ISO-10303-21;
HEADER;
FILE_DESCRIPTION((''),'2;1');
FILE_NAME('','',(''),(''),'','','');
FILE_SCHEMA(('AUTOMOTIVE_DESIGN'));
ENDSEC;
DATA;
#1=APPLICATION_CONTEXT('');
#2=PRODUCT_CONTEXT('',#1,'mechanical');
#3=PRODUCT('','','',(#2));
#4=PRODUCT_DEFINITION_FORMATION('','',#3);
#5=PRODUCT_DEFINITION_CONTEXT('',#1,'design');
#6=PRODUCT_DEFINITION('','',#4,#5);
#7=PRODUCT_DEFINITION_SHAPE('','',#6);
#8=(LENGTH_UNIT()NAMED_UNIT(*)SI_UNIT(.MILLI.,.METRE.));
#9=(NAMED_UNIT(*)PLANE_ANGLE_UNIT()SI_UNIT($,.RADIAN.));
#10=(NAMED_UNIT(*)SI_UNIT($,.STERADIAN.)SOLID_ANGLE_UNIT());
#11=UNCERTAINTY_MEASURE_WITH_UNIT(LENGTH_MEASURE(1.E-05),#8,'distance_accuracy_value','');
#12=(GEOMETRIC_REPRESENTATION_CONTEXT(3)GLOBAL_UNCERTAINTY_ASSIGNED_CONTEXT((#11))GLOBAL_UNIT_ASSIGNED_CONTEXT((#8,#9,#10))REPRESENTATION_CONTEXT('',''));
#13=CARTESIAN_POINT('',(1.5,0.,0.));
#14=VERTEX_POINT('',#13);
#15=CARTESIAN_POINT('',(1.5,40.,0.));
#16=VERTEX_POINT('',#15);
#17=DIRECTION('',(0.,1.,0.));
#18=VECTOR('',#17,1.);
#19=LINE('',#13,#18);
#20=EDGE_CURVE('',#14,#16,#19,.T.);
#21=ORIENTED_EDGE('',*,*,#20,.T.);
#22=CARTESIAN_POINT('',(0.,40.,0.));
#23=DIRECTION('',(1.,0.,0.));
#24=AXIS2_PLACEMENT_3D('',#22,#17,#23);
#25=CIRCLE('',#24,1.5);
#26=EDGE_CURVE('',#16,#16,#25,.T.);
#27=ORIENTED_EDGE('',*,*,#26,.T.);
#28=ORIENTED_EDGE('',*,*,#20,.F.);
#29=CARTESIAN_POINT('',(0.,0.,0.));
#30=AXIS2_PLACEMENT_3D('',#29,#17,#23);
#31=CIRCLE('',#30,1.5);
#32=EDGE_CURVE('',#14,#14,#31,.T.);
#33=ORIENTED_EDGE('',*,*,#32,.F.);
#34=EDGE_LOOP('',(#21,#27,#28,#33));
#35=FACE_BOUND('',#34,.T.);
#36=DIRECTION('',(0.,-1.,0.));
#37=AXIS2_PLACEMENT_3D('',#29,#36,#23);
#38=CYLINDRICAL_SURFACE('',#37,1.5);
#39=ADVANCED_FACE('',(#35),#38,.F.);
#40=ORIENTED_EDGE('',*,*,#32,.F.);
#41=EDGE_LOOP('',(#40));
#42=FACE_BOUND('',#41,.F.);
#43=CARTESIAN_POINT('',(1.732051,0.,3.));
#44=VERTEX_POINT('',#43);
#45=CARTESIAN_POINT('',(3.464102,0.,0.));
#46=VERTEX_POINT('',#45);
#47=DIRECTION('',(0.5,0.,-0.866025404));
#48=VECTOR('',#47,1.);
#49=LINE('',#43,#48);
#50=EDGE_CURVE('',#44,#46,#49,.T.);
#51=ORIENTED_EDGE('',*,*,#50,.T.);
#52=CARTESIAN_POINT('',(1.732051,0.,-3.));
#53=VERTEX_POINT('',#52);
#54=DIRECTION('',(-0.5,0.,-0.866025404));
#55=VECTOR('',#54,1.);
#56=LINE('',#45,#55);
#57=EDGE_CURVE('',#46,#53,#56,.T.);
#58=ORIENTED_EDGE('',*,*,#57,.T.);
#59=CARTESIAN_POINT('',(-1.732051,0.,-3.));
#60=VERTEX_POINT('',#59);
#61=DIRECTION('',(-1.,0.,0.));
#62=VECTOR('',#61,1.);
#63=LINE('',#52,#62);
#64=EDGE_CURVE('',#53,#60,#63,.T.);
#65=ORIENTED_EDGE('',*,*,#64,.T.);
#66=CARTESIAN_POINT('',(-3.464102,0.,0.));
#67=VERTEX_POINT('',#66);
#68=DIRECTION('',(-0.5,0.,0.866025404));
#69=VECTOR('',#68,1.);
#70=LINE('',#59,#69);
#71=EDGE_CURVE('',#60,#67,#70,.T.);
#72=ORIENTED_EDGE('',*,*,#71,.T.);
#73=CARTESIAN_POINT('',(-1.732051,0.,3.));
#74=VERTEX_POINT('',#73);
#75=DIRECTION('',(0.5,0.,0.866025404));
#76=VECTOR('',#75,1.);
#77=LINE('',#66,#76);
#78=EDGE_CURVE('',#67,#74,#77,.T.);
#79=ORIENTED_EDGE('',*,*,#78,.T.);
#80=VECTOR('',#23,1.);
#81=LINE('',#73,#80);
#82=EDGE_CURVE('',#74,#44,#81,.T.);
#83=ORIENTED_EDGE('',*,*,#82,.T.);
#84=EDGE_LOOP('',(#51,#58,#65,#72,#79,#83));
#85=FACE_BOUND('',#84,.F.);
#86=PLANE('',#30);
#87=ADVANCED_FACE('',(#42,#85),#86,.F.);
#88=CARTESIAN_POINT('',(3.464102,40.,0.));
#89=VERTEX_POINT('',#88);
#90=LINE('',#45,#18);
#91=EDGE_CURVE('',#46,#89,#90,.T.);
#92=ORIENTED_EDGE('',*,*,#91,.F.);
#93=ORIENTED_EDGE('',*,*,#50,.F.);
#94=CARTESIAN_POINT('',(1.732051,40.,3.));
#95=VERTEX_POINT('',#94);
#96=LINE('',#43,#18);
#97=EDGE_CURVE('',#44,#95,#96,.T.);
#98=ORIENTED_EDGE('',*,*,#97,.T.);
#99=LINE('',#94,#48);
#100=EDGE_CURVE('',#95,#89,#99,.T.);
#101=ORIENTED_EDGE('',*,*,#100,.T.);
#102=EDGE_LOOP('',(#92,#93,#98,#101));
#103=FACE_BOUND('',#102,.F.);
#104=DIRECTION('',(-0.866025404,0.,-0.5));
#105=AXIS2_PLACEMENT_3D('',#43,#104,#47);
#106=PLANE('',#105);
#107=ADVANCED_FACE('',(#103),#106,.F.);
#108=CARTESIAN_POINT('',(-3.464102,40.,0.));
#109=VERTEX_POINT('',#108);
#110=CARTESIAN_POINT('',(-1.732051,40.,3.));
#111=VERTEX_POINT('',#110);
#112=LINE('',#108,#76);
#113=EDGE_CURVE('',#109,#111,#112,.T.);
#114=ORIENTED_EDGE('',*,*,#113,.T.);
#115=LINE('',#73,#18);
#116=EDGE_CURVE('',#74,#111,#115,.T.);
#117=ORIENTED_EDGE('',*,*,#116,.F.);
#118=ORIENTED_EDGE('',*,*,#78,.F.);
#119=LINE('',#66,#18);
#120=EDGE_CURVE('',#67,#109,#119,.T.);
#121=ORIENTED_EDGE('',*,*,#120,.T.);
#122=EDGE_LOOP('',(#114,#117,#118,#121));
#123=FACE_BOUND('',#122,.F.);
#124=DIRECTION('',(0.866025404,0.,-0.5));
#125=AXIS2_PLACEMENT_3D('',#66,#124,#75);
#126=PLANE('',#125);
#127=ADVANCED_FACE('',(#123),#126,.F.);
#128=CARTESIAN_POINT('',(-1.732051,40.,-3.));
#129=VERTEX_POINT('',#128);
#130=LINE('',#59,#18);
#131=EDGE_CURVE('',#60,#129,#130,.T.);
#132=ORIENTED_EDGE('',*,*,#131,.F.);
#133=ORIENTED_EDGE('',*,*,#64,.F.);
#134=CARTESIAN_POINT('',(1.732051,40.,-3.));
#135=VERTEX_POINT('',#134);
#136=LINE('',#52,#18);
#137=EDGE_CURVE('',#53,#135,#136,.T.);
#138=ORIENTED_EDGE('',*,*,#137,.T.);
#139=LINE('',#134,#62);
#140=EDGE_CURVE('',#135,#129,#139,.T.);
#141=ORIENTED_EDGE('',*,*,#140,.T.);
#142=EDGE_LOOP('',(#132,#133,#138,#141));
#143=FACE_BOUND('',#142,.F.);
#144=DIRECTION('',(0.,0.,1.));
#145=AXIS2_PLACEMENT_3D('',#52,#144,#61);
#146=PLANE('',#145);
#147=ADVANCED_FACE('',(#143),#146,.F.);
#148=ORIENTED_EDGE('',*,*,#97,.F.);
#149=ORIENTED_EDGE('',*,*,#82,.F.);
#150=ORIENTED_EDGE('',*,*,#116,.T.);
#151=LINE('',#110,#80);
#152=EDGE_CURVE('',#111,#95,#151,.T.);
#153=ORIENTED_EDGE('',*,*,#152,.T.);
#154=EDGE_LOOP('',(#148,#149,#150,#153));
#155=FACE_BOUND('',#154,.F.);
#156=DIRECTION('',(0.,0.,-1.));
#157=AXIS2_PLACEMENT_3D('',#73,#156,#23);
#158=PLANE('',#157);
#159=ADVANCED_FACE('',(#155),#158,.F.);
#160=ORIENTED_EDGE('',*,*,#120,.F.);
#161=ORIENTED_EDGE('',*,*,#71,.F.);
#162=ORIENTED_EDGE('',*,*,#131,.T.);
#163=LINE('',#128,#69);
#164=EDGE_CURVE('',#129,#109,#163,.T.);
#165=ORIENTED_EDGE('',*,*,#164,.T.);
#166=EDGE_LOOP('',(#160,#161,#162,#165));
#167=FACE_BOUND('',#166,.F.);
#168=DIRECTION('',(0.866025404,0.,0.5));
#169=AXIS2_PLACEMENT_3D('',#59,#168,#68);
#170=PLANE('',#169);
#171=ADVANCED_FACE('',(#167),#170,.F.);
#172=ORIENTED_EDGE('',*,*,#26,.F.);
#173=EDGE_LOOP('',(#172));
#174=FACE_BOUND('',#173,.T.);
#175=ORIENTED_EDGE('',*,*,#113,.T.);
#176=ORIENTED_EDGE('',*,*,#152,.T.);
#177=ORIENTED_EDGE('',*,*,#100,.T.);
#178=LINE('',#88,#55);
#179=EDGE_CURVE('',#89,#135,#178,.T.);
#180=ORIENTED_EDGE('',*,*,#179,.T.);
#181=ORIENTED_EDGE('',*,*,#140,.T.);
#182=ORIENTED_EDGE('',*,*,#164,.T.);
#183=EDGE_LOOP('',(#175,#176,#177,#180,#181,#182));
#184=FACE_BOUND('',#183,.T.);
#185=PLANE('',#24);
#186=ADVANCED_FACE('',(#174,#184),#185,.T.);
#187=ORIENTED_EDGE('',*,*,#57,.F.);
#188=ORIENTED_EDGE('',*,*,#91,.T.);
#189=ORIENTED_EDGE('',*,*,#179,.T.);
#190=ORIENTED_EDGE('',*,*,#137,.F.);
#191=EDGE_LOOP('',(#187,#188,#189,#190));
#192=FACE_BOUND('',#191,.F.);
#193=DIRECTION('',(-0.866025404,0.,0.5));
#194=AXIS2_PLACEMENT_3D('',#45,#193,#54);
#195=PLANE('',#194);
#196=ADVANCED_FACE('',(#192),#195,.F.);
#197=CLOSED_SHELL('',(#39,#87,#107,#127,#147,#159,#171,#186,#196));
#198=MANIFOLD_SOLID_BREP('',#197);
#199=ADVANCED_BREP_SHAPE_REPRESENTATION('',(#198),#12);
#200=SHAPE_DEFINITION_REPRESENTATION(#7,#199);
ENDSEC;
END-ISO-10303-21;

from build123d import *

# Parameters (mm, degrees)
SKETCH_1_R      = 1.5
EXTRUDE_1_DEPTH = 40


with BuildPart() as part:
    # 草圖1 → 填料-伸長1 (new body)
    with BuildSketch(Plane(origin=(0, 0, 0), x_dir=(1, 0, 0), z_dir=(0, 1, 0))):
        Polygon((3.464101615, 0), (1.732050808, 3), (-1.732050808, 3), (-3.464101615, 0), (-1.732050808, -3), (1.732050808, -3), align=None)
        Circle(SKETCH_1_R, mode=Mode.SUBTRACT)
    extrude(amount=EXTRUDE_1_DEPTH)


solid = part.part
